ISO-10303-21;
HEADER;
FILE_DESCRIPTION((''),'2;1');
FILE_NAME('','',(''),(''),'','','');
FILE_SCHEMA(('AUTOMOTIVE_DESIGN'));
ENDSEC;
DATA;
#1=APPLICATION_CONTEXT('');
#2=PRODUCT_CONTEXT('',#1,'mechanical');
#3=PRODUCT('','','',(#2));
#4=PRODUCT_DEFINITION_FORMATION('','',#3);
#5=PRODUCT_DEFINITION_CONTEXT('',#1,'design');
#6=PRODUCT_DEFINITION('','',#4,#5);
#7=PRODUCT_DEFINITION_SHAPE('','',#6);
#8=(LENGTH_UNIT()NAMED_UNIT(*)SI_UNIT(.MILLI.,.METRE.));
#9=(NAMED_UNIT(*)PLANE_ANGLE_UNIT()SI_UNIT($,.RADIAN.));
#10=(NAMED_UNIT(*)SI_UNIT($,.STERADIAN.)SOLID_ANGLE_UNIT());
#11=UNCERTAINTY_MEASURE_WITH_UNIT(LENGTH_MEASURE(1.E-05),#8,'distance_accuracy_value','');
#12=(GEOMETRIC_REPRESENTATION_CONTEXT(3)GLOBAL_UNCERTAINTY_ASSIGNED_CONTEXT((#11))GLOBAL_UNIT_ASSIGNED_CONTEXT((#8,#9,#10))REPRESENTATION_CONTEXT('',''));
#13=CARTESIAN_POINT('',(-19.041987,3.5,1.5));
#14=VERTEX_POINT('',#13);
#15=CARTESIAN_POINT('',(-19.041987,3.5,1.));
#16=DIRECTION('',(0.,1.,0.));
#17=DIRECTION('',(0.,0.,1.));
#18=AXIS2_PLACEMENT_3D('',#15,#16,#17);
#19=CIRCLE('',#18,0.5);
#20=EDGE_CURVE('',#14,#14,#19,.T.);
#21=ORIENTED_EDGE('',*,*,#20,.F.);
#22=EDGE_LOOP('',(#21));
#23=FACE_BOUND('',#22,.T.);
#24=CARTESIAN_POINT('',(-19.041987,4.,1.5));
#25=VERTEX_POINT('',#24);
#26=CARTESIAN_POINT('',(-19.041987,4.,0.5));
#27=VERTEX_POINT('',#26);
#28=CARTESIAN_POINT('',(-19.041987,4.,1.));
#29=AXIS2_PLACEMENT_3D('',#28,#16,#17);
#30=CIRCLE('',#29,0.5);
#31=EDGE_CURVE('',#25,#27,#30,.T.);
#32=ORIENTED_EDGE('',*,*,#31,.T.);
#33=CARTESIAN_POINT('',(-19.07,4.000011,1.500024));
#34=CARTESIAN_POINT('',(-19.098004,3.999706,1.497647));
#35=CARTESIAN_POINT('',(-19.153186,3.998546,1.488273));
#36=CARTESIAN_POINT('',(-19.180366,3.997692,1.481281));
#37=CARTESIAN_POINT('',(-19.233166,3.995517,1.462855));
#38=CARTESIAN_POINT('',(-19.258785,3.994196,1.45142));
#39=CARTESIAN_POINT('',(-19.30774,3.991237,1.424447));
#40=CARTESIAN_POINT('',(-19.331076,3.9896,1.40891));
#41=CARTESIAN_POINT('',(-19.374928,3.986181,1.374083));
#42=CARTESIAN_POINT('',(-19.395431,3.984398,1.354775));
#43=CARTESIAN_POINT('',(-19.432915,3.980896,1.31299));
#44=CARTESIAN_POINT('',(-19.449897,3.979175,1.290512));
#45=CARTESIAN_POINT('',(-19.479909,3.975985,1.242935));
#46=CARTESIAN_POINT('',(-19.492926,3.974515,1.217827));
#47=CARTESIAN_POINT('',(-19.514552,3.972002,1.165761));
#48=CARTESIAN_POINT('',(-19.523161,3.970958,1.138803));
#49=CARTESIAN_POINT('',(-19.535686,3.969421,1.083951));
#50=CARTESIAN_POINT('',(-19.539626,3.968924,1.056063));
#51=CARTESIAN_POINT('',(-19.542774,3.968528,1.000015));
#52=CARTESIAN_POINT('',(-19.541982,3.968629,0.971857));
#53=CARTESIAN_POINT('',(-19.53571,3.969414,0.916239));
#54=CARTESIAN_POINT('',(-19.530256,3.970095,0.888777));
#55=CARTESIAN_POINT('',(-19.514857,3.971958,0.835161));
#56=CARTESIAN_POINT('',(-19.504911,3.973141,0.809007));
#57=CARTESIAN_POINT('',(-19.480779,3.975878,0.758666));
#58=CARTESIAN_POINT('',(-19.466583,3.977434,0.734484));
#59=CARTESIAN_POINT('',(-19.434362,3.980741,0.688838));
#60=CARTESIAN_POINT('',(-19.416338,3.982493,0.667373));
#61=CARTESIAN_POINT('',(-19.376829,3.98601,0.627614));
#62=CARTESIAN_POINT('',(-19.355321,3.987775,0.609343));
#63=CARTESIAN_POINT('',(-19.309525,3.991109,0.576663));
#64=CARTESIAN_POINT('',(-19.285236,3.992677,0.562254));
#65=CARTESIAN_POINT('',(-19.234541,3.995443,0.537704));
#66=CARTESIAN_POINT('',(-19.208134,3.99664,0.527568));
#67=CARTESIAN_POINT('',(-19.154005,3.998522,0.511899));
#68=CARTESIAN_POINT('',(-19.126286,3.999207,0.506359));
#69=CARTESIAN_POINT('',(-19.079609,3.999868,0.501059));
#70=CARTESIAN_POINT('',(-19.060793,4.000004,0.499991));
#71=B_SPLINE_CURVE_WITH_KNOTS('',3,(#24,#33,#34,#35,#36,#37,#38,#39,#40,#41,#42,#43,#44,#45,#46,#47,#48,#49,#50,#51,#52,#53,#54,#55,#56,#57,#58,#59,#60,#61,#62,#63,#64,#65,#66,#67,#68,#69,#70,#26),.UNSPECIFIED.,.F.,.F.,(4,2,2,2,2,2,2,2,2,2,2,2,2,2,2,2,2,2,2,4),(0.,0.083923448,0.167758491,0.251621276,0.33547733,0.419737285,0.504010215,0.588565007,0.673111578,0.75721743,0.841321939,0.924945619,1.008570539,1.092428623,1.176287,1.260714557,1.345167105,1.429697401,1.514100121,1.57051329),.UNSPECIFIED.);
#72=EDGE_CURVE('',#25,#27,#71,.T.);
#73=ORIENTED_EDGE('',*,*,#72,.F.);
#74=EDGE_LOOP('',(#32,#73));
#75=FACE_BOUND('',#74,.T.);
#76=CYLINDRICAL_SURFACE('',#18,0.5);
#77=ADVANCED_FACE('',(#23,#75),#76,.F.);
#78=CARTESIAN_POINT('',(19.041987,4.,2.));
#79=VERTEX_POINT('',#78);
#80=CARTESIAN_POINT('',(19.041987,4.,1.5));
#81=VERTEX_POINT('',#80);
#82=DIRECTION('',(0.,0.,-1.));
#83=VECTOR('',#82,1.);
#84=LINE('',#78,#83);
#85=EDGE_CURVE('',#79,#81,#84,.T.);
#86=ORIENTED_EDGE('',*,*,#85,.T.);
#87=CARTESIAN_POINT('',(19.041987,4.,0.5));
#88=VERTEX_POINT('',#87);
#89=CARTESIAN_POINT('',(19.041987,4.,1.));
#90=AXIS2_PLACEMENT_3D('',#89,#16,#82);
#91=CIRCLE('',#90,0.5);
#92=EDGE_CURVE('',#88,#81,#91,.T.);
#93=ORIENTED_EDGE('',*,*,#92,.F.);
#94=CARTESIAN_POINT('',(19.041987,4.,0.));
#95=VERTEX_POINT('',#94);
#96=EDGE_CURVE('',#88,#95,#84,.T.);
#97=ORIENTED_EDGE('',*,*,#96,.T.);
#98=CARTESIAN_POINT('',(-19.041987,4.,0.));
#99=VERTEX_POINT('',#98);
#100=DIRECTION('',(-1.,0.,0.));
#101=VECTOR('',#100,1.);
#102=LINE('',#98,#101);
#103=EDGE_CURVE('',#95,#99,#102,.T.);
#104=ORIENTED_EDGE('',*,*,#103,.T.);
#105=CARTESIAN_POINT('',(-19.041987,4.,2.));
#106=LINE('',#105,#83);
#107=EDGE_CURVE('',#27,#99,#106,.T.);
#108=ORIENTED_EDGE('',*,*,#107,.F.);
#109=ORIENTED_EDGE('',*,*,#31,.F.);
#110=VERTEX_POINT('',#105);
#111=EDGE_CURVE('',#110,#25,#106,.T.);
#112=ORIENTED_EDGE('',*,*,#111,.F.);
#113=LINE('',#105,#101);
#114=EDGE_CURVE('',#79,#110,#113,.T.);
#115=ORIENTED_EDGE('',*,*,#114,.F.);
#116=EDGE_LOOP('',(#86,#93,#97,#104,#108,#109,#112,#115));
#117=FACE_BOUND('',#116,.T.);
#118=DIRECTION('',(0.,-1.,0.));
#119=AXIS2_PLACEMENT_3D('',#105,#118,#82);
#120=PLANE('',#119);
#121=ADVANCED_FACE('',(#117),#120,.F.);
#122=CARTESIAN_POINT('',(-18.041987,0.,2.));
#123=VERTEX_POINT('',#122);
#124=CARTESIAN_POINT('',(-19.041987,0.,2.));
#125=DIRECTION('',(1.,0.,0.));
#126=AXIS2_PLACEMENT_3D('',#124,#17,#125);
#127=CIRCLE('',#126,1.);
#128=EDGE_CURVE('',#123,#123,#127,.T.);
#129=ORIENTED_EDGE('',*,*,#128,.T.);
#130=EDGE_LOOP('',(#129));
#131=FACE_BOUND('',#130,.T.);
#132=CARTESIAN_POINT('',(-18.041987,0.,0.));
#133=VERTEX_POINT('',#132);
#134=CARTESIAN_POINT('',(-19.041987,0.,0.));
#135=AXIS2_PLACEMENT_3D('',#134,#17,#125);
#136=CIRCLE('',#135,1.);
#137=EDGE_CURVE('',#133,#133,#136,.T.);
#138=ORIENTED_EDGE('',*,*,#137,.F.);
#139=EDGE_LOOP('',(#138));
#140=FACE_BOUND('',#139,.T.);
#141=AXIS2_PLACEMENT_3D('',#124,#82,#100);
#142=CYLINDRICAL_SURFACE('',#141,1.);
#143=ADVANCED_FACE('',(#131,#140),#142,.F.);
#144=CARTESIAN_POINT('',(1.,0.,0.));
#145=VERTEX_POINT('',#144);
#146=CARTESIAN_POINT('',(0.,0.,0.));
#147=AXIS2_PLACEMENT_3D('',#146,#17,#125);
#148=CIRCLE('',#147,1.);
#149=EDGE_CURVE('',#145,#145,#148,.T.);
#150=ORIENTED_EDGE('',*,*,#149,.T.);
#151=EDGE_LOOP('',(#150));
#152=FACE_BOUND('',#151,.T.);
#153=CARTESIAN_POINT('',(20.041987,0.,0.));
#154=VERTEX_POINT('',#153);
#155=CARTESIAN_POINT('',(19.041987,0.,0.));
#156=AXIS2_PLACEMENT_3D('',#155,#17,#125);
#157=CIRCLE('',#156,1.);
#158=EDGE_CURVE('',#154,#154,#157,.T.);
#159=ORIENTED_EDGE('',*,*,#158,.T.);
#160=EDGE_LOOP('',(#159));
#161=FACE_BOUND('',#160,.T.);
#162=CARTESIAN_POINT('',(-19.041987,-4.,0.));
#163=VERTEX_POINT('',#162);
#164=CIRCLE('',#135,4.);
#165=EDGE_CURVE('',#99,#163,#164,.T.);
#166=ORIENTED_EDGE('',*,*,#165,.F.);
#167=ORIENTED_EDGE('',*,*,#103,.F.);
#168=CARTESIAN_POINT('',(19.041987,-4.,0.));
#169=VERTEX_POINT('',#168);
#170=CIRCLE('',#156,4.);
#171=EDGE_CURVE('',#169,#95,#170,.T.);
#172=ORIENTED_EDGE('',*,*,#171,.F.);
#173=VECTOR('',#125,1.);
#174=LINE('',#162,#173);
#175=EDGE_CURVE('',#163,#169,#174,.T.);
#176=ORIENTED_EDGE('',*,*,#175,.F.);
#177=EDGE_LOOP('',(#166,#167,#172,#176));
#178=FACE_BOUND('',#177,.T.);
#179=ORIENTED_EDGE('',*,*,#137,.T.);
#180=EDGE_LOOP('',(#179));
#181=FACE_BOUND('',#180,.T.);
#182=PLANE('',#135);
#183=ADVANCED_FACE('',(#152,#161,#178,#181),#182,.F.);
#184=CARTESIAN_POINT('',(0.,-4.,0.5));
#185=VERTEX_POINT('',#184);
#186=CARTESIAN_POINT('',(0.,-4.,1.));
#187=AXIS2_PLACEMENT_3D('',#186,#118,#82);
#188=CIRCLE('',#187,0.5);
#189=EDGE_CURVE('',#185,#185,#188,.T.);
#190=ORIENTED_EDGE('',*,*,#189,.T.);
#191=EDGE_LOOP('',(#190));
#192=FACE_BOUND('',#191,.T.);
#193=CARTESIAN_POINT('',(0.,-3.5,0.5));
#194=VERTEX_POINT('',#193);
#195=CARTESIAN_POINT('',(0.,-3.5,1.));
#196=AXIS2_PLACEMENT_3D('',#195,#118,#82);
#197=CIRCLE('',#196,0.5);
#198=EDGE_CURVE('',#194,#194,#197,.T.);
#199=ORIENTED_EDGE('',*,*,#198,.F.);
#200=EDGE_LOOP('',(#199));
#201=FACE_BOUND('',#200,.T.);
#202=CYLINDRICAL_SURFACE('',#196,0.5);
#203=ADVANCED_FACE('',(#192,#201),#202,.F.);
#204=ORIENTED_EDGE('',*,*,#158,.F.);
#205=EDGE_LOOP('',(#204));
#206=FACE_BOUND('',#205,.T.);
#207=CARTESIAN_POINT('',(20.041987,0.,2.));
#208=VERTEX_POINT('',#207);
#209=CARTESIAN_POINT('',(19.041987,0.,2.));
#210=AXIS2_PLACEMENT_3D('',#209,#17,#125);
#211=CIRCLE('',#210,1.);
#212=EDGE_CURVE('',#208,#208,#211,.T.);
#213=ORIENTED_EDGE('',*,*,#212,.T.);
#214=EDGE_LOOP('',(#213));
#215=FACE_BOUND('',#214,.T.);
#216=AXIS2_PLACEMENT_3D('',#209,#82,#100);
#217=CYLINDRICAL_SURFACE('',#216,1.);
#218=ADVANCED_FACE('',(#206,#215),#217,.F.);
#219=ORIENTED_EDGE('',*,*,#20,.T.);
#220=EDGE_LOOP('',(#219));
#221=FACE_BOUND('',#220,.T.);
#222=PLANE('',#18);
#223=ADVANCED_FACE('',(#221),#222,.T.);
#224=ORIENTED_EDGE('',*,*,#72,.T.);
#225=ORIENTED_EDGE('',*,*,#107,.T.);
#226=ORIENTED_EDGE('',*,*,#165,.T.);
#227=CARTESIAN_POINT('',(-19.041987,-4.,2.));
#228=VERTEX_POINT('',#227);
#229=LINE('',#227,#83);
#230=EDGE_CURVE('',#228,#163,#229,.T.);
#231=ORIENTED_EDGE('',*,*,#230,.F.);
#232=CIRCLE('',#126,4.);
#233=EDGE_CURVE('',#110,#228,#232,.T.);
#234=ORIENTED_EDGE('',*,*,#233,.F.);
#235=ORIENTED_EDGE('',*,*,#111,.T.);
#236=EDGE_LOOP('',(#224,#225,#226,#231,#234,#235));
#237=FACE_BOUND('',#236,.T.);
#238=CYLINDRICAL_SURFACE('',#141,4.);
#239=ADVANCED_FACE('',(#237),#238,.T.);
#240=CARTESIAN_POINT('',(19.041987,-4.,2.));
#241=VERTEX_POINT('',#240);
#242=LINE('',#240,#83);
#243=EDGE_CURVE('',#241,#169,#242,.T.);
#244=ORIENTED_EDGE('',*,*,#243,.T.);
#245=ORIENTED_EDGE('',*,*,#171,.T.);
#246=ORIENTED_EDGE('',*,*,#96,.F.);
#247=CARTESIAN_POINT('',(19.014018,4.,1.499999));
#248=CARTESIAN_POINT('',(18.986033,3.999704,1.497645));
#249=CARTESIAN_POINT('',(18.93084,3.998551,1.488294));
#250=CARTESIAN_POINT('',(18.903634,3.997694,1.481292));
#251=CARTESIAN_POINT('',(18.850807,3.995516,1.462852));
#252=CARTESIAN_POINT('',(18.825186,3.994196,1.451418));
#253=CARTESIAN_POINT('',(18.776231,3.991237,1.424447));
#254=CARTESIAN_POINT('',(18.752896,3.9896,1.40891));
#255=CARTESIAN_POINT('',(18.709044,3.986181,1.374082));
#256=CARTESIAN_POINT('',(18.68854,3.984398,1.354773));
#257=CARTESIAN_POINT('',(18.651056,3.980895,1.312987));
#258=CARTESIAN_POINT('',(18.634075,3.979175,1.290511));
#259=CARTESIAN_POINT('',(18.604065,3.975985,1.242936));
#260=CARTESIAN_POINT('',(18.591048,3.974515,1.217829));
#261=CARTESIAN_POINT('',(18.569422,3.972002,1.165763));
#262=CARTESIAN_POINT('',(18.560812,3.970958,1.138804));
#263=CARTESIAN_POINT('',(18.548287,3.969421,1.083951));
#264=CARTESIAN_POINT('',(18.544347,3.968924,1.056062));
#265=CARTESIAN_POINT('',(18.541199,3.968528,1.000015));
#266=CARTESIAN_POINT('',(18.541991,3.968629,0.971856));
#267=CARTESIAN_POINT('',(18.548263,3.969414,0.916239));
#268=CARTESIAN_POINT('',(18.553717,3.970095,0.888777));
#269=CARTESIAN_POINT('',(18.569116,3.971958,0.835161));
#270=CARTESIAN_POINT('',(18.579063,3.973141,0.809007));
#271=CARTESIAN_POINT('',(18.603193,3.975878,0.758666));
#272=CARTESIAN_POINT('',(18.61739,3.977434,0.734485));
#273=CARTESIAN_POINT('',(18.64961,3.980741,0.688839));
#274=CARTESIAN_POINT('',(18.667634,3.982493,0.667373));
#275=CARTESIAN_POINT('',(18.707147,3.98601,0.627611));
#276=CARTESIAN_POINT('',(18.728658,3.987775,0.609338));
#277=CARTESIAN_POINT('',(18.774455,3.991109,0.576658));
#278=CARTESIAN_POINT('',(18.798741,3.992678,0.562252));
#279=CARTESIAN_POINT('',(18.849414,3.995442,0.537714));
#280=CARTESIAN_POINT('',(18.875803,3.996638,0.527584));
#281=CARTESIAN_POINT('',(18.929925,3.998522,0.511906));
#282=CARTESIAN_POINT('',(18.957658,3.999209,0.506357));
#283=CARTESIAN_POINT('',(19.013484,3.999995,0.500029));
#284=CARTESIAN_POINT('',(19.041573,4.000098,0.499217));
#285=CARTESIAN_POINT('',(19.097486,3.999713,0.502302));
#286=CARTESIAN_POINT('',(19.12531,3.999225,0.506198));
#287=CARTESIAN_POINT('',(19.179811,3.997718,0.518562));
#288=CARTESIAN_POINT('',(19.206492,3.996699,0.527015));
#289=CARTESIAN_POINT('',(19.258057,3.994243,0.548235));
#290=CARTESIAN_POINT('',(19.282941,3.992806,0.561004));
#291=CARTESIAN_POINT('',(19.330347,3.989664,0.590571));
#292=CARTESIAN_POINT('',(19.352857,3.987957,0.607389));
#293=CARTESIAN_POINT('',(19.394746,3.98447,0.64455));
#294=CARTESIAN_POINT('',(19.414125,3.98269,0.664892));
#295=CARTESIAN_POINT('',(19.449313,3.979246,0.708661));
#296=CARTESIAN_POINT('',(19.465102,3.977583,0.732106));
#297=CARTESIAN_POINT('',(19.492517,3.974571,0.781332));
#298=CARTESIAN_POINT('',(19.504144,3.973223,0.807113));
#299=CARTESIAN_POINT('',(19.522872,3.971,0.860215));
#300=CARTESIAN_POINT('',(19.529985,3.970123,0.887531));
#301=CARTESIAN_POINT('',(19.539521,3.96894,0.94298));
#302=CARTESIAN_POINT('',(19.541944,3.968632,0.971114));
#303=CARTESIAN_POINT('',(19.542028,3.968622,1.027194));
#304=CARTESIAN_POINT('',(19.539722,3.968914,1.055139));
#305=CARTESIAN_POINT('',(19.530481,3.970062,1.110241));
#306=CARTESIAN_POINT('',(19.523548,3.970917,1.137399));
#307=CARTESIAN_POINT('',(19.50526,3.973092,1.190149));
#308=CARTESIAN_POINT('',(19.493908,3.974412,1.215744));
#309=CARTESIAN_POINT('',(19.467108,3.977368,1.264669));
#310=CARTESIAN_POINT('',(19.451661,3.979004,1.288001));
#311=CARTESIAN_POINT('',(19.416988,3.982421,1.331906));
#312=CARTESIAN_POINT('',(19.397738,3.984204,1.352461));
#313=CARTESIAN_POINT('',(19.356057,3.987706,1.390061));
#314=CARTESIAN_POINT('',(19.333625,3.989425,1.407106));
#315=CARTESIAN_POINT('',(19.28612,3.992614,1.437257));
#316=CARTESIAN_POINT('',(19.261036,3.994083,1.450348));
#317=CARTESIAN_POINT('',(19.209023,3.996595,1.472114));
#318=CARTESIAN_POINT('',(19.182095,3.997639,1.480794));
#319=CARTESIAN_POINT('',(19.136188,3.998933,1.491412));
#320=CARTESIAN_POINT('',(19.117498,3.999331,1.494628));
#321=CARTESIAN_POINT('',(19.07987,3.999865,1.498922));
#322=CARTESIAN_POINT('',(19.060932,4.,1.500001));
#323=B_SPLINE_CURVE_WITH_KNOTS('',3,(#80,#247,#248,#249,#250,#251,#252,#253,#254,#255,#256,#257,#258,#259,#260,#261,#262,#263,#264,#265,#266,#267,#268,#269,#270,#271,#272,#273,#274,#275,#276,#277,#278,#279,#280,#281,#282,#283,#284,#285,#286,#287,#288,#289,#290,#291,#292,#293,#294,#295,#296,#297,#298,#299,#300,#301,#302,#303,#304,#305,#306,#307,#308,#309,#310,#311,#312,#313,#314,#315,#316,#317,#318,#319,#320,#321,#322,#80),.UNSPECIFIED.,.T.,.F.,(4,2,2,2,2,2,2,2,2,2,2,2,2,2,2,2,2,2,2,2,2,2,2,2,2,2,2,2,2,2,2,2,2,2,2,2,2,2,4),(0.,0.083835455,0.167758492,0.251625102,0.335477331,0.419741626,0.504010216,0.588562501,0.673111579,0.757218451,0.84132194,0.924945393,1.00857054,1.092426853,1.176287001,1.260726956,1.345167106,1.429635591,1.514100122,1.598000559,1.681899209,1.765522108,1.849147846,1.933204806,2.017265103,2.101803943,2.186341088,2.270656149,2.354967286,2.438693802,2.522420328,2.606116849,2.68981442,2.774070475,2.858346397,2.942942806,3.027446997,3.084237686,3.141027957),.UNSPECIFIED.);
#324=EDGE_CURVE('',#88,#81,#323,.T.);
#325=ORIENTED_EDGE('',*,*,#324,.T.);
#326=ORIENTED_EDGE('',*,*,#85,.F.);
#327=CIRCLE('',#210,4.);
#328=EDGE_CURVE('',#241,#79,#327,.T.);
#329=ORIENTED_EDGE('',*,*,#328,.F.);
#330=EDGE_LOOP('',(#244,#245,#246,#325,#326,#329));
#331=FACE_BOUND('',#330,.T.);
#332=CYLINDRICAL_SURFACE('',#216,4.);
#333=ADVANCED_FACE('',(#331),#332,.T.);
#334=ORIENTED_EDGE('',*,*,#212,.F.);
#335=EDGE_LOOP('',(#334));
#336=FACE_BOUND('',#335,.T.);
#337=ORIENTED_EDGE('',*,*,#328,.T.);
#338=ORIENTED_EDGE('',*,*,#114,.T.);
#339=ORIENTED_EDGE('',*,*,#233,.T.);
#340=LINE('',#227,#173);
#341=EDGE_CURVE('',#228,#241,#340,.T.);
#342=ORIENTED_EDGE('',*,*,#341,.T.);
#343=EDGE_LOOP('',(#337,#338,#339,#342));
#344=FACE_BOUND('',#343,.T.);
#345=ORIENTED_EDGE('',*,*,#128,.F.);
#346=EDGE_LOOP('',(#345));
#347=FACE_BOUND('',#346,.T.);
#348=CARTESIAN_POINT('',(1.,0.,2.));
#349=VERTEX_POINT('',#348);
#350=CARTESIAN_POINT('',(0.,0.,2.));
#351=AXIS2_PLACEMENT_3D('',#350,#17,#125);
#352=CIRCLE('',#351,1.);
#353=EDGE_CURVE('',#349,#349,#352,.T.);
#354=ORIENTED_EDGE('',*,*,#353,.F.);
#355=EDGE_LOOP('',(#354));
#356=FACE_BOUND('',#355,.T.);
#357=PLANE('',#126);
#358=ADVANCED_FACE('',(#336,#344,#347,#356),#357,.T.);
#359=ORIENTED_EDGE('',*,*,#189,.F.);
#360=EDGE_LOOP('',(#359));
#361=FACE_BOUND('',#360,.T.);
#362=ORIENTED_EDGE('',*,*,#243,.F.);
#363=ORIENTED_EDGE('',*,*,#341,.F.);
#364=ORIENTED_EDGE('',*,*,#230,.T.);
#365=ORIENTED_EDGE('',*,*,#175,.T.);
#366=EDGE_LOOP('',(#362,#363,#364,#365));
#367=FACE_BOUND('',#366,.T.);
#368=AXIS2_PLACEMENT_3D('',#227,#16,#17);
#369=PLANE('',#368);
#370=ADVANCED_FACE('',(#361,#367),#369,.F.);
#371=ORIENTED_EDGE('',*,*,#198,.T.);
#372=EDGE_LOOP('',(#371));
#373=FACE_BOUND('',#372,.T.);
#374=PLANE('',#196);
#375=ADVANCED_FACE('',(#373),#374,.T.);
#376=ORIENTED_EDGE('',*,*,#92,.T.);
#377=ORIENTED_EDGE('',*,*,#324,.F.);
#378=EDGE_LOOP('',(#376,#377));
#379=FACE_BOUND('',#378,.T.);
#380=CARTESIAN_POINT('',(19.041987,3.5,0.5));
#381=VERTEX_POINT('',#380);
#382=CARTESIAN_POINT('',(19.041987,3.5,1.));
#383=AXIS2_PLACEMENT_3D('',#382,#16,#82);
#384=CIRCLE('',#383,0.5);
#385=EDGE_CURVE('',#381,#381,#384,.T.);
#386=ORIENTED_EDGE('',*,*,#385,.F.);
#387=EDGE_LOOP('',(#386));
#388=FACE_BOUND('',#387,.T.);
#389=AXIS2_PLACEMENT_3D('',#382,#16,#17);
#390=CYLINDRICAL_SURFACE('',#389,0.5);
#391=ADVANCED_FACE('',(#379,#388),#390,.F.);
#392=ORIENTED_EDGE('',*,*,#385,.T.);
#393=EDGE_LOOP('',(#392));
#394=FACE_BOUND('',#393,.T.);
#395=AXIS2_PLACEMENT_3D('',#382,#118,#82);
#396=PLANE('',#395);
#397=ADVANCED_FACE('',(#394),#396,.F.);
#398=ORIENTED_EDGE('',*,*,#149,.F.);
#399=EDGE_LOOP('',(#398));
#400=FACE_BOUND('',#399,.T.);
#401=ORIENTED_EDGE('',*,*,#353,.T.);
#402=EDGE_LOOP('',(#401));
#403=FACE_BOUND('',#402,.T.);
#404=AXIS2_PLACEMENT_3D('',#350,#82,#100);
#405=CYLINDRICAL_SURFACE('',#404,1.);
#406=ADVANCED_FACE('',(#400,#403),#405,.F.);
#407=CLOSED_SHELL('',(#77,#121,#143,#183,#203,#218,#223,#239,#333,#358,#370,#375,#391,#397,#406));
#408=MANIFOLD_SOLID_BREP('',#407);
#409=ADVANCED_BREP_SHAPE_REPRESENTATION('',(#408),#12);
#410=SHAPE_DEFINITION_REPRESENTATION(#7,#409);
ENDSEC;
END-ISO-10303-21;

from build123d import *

# Parameters (mm, degrees)
SKETCH1_R           = 1
BOSS_EXTRUDE1_DEPTH = 2
SKETCH2_R           = 0.5
CUT_EXTRUDE1_DEPTH  = 0.5
SKETCH3_R           = 0.5
CUT_EXTRUDE2_DEPTH  = 0.5


with BuildPart() as part:
    # Sketch1 → Boss-Extrude1 (new body)
    with BuildSketch(Plane.XY):
        with BuildLine():
            Line((-19.041986571, 4), (19.041986571, 4))
            ThreePointArc((19.041986571, 4), (23.041986571, 0), (19.041986571, -4))
            Line((19.041986571, -4), (-19.041986571, -4))
            ThreePointArc((-19.041986571, -4), (-23.041986571, 0), (-19.041986571, 4))
        make_face()
        Circle(SKETCH1_R, mode=Mode.SUBTRACT)
        with Locations((19.041986571, 0)):
            Circle(SKETCH1_R, mode=Mode.SUBTRACT)
        with Locations((-19.041986571, 0)):
            Circle(SKETCH1_R, mode=Mode.SUBTRACT)
    extrude(amount=BOSS_EXTRUDE1_DEPTH)

    # Sketch2 → Cut-Extrude1 (cut)
    with BuildSketch(Plane(origin=(0, 4, 0), x_dir=(1, 0, 0), z_dir=(0, 1, 0))):
        with Locations((-19.041986571, -1)):
            Circle(SKETCH2_R)
        with Locations((19.041986571, -1)):
            Circle(SKETCH2_R)
    extrude(amount=-CUT_EXTRUDE1_DEPTH, mode=Mode.SUBTRACT)

    # Sketch3 → Cut-Extrude2 (cut)
    with BuildSketch(Plane.XZ.offset(4)):
        with Locations((0, 1)):
            Circle(SKETCH3_R)
    extrude(amount=-CUT_EXTRUDE2_DEPTH, mode=Mode.SUBTRACT)


solid = part.part
